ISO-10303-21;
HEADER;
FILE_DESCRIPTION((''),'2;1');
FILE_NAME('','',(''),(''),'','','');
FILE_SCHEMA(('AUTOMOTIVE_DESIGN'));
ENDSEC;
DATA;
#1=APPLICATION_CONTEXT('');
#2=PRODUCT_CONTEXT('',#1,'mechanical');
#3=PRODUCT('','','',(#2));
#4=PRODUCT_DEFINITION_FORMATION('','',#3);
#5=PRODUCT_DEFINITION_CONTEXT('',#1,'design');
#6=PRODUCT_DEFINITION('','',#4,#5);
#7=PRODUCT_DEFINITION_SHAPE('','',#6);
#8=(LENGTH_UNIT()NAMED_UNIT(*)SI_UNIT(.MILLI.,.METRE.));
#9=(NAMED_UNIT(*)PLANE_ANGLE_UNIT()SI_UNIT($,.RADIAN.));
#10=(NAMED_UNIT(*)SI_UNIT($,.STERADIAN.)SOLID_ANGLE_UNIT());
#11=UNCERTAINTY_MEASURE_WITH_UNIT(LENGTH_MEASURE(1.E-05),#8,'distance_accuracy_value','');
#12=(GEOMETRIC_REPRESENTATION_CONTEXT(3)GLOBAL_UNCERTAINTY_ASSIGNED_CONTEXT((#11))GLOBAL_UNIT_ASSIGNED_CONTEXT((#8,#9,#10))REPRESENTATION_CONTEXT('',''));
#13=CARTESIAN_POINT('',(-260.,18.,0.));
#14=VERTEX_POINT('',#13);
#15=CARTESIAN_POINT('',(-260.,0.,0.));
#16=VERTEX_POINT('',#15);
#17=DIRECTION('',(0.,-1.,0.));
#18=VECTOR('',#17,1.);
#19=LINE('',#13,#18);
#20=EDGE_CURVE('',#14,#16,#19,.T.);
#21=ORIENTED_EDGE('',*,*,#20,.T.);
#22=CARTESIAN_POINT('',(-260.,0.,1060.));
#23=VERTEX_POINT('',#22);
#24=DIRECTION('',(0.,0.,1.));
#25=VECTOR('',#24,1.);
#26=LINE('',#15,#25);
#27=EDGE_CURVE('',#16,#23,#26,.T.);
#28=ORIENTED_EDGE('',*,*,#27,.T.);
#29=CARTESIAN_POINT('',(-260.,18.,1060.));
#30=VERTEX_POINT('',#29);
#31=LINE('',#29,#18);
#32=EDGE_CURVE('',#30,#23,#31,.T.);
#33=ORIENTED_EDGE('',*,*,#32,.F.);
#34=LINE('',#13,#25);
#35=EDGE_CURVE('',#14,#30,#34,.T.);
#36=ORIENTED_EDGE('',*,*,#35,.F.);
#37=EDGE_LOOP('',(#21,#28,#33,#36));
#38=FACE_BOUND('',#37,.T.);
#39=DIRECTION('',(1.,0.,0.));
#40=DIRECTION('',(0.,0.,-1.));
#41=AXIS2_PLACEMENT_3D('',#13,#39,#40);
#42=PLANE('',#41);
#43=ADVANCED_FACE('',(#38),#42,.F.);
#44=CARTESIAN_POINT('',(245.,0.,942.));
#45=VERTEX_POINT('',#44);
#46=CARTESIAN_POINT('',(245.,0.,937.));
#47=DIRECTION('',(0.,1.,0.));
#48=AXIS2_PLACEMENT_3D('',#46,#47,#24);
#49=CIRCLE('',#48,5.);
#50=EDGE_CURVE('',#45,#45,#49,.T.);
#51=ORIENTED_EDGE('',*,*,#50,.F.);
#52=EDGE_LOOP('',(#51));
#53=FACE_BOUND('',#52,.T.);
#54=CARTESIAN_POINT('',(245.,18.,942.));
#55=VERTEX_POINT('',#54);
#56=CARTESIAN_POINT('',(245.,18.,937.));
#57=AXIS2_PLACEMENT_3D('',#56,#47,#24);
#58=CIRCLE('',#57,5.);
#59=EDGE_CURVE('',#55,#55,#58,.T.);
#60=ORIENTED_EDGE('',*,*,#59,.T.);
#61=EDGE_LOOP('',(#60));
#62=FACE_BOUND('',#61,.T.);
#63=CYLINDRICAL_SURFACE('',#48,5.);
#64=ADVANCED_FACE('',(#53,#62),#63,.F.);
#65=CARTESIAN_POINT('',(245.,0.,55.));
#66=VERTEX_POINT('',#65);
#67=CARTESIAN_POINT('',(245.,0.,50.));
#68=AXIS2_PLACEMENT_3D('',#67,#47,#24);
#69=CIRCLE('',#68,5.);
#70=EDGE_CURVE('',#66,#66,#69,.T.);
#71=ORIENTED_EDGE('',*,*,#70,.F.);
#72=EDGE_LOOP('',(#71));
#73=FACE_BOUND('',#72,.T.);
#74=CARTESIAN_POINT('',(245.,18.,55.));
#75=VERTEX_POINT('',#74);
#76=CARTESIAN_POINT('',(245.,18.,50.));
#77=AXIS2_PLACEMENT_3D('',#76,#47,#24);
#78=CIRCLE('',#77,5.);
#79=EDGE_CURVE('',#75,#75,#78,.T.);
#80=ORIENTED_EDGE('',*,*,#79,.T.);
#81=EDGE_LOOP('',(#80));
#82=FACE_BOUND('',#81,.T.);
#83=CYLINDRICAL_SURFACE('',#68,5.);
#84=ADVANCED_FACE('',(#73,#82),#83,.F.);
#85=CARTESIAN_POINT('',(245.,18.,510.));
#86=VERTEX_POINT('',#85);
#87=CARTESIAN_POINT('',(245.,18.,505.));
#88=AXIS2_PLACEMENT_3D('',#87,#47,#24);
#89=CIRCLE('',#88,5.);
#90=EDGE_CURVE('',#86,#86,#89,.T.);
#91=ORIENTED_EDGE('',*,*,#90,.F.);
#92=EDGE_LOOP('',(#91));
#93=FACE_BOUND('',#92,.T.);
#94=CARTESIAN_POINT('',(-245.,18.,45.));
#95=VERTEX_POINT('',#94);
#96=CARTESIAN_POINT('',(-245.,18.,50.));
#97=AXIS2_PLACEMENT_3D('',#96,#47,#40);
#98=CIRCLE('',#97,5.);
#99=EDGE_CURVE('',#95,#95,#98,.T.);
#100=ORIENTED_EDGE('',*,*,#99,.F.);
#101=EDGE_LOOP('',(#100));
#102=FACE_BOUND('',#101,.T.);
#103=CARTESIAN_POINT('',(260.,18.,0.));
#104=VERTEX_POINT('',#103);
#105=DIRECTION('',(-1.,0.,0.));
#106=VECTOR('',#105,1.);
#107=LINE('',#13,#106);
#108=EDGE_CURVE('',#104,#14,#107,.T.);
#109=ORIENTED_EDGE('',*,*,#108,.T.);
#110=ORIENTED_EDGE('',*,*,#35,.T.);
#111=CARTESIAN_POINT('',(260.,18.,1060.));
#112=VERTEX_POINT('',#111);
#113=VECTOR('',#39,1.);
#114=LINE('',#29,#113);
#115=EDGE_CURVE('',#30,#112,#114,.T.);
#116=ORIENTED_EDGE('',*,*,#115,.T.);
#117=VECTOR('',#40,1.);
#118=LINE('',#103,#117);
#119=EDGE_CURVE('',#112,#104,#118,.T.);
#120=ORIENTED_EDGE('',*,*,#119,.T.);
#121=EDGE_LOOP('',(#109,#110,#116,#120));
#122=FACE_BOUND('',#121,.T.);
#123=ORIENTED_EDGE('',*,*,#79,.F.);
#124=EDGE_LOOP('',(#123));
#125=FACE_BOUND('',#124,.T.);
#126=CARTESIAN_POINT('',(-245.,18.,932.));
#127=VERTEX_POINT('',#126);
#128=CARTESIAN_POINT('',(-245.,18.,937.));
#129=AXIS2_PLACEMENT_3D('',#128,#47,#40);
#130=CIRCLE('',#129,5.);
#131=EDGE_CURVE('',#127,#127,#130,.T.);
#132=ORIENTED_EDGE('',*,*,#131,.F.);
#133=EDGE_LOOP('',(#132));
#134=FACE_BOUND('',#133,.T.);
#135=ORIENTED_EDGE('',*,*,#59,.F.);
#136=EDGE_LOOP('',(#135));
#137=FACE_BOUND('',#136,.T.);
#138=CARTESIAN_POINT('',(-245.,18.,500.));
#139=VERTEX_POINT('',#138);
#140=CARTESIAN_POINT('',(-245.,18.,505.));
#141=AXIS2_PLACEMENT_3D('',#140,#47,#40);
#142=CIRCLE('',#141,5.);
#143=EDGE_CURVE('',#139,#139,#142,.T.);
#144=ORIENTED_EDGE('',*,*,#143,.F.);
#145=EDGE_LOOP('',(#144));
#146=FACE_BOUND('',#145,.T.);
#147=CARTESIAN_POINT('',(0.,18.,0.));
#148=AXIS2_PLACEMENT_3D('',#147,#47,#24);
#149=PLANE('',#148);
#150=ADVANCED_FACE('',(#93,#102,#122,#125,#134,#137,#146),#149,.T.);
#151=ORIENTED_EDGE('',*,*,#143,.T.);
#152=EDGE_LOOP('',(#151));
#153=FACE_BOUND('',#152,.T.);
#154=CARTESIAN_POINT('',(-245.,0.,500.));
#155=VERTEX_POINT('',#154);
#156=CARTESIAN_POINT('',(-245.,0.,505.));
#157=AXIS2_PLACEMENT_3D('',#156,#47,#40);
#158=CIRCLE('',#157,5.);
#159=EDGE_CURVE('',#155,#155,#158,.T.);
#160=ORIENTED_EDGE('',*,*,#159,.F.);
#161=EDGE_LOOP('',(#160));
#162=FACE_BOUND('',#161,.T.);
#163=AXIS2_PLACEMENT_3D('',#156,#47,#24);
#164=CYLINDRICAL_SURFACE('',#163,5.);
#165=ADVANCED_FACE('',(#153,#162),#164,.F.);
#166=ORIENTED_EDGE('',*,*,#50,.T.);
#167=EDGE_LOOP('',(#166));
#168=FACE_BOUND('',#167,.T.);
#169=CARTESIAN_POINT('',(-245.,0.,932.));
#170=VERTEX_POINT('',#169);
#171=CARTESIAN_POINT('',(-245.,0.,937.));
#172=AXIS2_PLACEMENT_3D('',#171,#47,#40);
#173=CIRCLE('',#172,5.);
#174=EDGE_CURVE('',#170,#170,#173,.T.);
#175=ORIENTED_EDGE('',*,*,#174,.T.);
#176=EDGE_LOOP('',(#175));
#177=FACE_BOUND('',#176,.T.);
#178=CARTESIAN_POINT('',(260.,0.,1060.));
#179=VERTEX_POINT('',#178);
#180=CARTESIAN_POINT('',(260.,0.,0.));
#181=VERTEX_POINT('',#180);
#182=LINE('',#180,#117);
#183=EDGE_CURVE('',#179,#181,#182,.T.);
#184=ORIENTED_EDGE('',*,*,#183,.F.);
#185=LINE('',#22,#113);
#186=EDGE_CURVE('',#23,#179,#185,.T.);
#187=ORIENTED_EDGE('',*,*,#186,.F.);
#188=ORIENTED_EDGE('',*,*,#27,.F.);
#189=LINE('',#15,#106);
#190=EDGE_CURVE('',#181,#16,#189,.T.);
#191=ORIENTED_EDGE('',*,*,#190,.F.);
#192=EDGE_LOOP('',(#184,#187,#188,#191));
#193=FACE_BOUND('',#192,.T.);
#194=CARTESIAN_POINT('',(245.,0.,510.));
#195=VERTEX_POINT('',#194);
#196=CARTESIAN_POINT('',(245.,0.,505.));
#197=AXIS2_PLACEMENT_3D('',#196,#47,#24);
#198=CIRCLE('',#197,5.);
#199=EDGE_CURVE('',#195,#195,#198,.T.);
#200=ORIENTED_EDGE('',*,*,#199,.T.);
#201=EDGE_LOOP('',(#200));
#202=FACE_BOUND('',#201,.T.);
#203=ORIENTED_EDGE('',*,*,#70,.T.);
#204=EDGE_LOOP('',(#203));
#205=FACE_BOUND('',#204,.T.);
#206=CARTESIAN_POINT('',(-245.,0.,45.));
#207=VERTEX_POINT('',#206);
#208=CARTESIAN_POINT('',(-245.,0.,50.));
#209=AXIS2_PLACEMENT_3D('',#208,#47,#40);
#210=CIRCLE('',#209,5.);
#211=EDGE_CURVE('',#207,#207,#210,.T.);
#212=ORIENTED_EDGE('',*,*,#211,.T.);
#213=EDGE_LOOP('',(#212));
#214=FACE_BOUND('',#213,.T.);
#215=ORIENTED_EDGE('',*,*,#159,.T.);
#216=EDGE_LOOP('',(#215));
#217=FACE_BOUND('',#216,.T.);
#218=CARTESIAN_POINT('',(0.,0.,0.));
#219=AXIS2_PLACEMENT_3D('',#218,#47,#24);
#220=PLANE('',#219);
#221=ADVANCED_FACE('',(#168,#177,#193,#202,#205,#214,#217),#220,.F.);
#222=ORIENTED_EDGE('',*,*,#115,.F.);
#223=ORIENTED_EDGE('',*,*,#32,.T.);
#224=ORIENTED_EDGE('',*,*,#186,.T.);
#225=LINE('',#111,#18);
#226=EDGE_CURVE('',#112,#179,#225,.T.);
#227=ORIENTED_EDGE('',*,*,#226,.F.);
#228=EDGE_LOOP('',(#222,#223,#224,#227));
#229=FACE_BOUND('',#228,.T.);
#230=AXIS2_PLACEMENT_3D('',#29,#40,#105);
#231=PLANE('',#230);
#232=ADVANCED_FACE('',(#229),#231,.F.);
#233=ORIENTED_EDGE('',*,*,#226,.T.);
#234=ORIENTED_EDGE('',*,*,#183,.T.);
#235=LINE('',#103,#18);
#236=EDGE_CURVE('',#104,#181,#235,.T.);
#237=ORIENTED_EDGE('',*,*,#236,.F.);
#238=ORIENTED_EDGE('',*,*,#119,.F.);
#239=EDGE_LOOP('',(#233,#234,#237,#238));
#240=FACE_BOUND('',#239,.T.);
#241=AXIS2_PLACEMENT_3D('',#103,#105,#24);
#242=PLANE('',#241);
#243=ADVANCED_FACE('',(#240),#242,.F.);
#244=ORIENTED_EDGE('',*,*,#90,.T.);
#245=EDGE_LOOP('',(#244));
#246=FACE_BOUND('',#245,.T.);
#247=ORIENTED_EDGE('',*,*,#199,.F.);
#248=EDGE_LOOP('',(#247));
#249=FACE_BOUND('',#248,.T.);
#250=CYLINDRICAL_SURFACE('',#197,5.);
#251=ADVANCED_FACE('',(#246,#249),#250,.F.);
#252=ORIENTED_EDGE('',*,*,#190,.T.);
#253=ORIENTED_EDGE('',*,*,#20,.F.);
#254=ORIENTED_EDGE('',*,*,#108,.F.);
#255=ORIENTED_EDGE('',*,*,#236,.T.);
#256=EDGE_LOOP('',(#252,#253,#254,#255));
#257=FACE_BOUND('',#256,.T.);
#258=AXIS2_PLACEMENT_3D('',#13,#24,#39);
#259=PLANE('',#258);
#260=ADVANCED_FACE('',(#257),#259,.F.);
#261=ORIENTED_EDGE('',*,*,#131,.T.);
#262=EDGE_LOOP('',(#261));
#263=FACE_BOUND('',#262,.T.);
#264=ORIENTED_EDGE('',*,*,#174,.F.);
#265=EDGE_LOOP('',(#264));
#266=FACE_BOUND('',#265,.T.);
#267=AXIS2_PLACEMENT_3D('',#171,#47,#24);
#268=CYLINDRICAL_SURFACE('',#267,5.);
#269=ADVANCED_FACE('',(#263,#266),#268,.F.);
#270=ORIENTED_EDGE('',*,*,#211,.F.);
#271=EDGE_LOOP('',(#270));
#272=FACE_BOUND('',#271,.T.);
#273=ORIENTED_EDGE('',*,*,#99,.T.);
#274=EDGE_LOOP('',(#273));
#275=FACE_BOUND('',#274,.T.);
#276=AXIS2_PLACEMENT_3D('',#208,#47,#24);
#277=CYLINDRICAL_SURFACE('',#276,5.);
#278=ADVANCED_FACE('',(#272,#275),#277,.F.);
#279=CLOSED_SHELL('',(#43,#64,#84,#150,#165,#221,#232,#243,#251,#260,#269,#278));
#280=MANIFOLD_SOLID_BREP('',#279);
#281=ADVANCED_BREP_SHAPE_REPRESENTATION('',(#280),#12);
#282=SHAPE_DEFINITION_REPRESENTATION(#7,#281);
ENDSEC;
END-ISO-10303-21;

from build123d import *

# Parameters (mm, degrees)
SKETCH1_W           = 520
SKETCH1_H           = 1060
BOSS_EXTRUDE1_DEPTH = 18
SKETCH2_R           = 5
CUT_EXTRUDE1_DEPTH  = 19


with BuildPart() as part:
    # Sketch1 → Boss-Extrude1 (new body)
    with BuildSketch(Plane(origin=(0, 0, 0), x_dir=(1, 0, 0), z_dir=(0, 1, 0))):
        with Locations((0, -530)):
            Rectangle(SKETCH1_W, SKETCH1_H)
    extrude(amount=BOSS_EXTRUDE1_DEPTH)

    # Sketch2 → Cut-Extrude1 (cut, through all)
    with BuildSketch(Plane(origin=(0, 18, 0), x_dir=(1, 0, 0), z_dir=(0, 1, 0))):
        with Locations((245, -50)):
            Circle(SKETCH2_R)
        with Locations((-245, -50)):
            Circle(SKETCH2_R)
        with Locations((245, -505)):
            Circle(SKETCH2_R)
        with Locations((245, -937)):
            Circle(SKETCH2_R)
        with Locations((-245, -937)):
            Circle(SKETCH2_R)
        with Locations((-245, -505)):
            Circle(SKETCH2_R)
    extrude(amount=-CUT_EXTRUDE1_DEPTH, mode=Mode.SUBTRACT)


solid = part.part
